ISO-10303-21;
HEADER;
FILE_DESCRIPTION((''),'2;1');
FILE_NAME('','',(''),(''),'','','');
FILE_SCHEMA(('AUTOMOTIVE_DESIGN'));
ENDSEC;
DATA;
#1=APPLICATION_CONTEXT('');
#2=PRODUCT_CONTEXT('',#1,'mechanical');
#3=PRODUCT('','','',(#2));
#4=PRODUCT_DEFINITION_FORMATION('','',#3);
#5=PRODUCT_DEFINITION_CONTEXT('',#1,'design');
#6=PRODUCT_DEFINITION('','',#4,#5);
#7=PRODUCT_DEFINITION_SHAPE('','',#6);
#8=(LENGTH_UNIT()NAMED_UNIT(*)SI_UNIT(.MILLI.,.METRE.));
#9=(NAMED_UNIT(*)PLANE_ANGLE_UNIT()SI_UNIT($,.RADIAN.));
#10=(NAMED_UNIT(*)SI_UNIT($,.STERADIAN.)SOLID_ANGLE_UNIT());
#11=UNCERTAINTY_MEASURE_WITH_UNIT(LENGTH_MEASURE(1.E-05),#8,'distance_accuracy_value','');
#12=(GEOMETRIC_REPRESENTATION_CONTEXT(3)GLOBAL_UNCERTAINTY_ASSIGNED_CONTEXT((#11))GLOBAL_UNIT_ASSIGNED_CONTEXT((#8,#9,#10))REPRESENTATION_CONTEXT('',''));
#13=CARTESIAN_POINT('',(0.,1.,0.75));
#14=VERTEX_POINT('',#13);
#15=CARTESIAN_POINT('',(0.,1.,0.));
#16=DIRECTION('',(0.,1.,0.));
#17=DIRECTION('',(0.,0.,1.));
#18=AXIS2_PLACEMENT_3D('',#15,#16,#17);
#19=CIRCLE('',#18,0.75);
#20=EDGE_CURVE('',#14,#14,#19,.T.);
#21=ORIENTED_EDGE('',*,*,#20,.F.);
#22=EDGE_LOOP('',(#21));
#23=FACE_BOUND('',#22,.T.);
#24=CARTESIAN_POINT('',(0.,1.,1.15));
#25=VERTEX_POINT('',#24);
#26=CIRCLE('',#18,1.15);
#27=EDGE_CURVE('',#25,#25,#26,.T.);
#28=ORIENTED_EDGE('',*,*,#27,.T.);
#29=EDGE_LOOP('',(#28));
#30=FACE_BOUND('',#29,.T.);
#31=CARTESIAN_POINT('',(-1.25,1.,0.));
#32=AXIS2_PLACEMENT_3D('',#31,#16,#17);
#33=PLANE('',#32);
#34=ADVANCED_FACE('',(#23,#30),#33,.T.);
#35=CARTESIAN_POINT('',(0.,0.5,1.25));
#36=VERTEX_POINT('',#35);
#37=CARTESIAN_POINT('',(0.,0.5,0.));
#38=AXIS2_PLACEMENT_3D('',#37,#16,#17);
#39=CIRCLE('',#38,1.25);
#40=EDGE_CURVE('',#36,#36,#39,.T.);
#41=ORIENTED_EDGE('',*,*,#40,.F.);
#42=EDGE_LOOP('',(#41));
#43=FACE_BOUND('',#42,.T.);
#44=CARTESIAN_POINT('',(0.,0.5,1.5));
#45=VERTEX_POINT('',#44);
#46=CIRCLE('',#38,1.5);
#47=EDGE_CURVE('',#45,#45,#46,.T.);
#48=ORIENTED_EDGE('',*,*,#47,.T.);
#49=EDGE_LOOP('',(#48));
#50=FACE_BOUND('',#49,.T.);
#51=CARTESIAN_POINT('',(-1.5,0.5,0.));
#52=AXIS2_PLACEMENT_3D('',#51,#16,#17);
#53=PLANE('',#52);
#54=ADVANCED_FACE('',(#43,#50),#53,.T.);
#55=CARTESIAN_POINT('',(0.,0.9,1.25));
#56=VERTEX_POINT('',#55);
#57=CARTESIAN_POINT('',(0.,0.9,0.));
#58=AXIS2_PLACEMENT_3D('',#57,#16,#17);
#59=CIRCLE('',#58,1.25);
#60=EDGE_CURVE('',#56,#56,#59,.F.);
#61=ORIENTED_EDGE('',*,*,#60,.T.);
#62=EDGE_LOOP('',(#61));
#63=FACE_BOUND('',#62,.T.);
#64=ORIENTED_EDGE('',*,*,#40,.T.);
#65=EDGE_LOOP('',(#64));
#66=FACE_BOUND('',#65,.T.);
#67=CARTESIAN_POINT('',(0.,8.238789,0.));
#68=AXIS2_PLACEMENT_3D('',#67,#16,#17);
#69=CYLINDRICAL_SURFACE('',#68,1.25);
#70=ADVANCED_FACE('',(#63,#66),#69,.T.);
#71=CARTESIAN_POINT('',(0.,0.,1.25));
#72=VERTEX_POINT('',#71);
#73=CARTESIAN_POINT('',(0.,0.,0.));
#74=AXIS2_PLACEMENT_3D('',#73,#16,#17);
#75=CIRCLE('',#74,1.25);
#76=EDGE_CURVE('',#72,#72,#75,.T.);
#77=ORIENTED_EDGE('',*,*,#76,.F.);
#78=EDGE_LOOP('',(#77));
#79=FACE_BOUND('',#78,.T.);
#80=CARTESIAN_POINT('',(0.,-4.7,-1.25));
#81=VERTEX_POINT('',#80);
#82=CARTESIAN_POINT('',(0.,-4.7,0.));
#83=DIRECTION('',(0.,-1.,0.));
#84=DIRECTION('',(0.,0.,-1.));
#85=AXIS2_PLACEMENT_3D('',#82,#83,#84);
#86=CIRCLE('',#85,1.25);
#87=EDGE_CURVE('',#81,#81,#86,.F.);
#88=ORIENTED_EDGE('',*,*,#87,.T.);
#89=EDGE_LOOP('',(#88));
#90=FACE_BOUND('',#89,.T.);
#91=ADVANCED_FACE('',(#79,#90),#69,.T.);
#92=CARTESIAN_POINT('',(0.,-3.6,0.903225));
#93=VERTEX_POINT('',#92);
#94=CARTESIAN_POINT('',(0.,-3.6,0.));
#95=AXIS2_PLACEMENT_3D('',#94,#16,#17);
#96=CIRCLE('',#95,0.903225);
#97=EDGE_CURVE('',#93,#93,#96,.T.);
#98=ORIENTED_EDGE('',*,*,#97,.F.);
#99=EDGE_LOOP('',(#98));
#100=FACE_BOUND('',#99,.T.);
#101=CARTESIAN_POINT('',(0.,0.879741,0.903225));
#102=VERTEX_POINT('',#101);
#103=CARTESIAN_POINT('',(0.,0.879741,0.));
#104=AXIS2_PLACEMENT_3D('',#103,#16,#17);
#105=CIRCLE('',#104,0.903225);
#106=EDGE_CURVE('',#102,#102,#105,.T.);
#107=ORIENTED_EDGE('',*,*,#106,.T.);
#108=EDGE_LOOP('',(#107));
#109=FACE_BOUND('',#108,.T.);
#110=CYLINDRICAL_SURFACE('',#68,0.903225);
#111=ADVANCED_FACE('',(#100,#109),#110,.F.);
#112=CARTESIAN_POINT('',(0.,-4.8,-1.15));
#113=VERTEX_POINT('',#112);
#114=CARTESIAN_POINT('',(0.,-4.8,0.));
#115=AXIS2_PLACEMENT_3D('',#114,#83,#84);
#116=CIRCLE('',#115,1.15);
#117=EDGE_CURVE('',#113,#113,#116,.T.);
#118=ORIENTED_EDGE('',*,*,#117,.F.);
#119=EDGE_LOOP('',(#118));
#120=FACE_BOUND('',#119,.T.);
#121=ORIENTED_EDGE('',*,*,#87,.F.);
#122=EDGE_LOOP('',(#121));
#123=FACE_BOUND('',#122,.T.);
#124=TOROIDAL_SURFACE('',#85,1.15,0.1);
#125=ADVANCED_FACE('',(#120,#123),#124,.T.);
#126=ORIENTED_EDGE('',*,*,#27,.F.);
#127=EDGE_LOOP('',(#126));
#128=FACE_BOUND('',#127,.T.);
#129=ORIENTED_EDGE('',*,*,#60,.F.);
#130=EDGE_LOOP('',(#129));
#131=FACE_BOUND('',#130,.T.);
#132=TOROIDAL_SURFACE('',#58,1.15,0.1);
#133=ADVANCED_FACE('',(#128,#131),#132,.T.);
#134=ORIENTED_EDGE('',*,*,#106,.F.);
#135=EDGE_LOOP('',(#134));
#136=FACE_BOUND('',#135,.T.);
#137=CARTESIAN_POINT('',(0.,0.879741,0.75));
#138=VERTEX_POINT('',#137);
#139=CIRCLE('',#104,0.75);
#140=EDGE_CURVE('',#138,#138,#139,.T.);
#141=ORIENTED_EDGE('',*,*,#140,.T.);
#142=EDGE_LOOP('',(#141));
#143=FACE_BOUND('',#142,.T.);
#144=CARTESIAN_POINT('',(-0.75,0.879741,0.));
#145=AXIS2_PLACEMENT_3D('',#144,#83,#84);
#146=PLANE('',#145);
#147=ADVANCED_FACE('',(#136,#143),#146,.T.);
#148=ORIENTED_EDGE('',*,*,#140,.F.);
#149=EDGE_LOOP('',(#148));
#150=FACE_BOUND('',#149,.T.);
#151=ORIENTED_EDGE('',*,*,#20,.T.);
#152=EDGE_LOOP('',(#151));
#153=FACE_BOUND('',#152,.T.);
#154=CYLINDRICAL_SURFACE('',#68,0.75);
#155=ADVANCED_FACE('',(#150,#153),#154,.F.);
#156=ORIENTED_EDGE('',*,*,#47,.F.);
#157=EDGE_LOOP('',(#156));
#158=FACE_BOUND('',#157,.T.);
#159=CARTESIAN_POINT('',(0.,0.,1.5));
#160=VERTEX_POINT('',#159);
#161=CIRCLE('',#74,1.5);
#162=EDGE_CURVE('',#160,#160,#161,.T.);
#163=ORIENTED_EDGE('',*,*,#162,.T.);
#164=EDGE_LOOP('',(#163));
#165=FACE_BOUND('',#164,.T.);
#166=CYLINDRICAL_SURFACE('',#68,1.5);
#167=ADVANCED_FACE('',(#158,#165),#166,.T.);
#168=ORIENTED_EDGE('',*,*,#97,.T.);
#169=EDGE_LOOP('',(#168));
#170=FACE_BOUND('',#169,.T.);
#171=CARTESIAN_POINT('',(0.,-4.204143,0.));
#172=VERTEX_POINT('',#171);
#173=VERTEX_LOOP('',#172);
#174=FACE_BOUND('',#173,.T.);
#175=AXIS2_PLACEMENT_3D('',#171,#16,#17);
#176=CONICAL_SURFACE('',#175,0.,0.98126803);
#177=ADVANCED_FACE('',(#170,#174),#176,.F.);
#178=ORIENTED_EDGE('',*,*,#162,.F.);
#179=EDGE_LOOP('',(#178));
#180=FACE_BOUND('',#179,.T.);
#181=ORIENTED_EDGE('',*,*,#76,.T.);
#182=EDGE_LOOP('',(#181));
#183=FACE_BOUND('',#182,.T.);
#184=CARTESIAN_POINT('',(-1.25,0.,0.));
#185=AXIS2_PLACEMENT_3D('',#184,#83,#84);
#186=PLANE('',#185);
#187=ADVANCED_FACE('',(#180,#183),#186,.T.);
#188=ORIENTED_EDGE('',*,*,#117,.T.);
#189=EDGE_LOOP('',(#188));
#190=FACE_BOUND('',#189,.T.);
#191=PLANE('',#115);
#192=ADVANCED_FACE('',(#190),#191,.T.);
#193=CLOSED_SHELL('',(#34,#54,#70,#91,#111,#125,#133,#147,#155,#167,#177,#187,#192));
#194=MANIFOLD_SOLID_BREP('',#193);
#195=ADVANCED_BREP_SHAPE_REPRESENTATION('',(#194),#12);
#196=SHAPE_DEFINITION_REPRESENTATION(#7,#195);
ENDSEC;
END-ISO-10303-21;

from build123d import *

# Parameters (mm, degrees)
FILLET_1_R = 0.1


with BuildPart() as part:
    # 草图1 → 旋转1 (revolve)
    with BuildSketch(Plane.XY, mode=Mode.PRIVATE) as revolve_1_sk:
        Polygon((0, -4.8), (-1.25, -4.8), (-1.25, 0), (-1.5, 0), (-1.5, 0.5), (-1.25, 0.5), (-1.25, 1), (-0.75, 1), (-0.75, 0.879741215), (-0.903225338, 0.879741215), (-0.903225338, -3.6), (0, -4.204142763), align=None)
    revolve(revolve_1_sk.sketch.rotate(Axis((0, 8.238789055, 0), (0, -1, 0)), 270), axis=Axis((0, 8.238789055, 0), (0, -1, 0)))

    # 圆角1
    fillet_1_edges = [part.edges().sort_by_distance(p)[0] for p in [
        (0, 1, -1.25),
        (0, -4.8, -1.25),
    ]]
    fillet(fillet_1_edges, radius=FILLET_1_R)


solid = part.part
